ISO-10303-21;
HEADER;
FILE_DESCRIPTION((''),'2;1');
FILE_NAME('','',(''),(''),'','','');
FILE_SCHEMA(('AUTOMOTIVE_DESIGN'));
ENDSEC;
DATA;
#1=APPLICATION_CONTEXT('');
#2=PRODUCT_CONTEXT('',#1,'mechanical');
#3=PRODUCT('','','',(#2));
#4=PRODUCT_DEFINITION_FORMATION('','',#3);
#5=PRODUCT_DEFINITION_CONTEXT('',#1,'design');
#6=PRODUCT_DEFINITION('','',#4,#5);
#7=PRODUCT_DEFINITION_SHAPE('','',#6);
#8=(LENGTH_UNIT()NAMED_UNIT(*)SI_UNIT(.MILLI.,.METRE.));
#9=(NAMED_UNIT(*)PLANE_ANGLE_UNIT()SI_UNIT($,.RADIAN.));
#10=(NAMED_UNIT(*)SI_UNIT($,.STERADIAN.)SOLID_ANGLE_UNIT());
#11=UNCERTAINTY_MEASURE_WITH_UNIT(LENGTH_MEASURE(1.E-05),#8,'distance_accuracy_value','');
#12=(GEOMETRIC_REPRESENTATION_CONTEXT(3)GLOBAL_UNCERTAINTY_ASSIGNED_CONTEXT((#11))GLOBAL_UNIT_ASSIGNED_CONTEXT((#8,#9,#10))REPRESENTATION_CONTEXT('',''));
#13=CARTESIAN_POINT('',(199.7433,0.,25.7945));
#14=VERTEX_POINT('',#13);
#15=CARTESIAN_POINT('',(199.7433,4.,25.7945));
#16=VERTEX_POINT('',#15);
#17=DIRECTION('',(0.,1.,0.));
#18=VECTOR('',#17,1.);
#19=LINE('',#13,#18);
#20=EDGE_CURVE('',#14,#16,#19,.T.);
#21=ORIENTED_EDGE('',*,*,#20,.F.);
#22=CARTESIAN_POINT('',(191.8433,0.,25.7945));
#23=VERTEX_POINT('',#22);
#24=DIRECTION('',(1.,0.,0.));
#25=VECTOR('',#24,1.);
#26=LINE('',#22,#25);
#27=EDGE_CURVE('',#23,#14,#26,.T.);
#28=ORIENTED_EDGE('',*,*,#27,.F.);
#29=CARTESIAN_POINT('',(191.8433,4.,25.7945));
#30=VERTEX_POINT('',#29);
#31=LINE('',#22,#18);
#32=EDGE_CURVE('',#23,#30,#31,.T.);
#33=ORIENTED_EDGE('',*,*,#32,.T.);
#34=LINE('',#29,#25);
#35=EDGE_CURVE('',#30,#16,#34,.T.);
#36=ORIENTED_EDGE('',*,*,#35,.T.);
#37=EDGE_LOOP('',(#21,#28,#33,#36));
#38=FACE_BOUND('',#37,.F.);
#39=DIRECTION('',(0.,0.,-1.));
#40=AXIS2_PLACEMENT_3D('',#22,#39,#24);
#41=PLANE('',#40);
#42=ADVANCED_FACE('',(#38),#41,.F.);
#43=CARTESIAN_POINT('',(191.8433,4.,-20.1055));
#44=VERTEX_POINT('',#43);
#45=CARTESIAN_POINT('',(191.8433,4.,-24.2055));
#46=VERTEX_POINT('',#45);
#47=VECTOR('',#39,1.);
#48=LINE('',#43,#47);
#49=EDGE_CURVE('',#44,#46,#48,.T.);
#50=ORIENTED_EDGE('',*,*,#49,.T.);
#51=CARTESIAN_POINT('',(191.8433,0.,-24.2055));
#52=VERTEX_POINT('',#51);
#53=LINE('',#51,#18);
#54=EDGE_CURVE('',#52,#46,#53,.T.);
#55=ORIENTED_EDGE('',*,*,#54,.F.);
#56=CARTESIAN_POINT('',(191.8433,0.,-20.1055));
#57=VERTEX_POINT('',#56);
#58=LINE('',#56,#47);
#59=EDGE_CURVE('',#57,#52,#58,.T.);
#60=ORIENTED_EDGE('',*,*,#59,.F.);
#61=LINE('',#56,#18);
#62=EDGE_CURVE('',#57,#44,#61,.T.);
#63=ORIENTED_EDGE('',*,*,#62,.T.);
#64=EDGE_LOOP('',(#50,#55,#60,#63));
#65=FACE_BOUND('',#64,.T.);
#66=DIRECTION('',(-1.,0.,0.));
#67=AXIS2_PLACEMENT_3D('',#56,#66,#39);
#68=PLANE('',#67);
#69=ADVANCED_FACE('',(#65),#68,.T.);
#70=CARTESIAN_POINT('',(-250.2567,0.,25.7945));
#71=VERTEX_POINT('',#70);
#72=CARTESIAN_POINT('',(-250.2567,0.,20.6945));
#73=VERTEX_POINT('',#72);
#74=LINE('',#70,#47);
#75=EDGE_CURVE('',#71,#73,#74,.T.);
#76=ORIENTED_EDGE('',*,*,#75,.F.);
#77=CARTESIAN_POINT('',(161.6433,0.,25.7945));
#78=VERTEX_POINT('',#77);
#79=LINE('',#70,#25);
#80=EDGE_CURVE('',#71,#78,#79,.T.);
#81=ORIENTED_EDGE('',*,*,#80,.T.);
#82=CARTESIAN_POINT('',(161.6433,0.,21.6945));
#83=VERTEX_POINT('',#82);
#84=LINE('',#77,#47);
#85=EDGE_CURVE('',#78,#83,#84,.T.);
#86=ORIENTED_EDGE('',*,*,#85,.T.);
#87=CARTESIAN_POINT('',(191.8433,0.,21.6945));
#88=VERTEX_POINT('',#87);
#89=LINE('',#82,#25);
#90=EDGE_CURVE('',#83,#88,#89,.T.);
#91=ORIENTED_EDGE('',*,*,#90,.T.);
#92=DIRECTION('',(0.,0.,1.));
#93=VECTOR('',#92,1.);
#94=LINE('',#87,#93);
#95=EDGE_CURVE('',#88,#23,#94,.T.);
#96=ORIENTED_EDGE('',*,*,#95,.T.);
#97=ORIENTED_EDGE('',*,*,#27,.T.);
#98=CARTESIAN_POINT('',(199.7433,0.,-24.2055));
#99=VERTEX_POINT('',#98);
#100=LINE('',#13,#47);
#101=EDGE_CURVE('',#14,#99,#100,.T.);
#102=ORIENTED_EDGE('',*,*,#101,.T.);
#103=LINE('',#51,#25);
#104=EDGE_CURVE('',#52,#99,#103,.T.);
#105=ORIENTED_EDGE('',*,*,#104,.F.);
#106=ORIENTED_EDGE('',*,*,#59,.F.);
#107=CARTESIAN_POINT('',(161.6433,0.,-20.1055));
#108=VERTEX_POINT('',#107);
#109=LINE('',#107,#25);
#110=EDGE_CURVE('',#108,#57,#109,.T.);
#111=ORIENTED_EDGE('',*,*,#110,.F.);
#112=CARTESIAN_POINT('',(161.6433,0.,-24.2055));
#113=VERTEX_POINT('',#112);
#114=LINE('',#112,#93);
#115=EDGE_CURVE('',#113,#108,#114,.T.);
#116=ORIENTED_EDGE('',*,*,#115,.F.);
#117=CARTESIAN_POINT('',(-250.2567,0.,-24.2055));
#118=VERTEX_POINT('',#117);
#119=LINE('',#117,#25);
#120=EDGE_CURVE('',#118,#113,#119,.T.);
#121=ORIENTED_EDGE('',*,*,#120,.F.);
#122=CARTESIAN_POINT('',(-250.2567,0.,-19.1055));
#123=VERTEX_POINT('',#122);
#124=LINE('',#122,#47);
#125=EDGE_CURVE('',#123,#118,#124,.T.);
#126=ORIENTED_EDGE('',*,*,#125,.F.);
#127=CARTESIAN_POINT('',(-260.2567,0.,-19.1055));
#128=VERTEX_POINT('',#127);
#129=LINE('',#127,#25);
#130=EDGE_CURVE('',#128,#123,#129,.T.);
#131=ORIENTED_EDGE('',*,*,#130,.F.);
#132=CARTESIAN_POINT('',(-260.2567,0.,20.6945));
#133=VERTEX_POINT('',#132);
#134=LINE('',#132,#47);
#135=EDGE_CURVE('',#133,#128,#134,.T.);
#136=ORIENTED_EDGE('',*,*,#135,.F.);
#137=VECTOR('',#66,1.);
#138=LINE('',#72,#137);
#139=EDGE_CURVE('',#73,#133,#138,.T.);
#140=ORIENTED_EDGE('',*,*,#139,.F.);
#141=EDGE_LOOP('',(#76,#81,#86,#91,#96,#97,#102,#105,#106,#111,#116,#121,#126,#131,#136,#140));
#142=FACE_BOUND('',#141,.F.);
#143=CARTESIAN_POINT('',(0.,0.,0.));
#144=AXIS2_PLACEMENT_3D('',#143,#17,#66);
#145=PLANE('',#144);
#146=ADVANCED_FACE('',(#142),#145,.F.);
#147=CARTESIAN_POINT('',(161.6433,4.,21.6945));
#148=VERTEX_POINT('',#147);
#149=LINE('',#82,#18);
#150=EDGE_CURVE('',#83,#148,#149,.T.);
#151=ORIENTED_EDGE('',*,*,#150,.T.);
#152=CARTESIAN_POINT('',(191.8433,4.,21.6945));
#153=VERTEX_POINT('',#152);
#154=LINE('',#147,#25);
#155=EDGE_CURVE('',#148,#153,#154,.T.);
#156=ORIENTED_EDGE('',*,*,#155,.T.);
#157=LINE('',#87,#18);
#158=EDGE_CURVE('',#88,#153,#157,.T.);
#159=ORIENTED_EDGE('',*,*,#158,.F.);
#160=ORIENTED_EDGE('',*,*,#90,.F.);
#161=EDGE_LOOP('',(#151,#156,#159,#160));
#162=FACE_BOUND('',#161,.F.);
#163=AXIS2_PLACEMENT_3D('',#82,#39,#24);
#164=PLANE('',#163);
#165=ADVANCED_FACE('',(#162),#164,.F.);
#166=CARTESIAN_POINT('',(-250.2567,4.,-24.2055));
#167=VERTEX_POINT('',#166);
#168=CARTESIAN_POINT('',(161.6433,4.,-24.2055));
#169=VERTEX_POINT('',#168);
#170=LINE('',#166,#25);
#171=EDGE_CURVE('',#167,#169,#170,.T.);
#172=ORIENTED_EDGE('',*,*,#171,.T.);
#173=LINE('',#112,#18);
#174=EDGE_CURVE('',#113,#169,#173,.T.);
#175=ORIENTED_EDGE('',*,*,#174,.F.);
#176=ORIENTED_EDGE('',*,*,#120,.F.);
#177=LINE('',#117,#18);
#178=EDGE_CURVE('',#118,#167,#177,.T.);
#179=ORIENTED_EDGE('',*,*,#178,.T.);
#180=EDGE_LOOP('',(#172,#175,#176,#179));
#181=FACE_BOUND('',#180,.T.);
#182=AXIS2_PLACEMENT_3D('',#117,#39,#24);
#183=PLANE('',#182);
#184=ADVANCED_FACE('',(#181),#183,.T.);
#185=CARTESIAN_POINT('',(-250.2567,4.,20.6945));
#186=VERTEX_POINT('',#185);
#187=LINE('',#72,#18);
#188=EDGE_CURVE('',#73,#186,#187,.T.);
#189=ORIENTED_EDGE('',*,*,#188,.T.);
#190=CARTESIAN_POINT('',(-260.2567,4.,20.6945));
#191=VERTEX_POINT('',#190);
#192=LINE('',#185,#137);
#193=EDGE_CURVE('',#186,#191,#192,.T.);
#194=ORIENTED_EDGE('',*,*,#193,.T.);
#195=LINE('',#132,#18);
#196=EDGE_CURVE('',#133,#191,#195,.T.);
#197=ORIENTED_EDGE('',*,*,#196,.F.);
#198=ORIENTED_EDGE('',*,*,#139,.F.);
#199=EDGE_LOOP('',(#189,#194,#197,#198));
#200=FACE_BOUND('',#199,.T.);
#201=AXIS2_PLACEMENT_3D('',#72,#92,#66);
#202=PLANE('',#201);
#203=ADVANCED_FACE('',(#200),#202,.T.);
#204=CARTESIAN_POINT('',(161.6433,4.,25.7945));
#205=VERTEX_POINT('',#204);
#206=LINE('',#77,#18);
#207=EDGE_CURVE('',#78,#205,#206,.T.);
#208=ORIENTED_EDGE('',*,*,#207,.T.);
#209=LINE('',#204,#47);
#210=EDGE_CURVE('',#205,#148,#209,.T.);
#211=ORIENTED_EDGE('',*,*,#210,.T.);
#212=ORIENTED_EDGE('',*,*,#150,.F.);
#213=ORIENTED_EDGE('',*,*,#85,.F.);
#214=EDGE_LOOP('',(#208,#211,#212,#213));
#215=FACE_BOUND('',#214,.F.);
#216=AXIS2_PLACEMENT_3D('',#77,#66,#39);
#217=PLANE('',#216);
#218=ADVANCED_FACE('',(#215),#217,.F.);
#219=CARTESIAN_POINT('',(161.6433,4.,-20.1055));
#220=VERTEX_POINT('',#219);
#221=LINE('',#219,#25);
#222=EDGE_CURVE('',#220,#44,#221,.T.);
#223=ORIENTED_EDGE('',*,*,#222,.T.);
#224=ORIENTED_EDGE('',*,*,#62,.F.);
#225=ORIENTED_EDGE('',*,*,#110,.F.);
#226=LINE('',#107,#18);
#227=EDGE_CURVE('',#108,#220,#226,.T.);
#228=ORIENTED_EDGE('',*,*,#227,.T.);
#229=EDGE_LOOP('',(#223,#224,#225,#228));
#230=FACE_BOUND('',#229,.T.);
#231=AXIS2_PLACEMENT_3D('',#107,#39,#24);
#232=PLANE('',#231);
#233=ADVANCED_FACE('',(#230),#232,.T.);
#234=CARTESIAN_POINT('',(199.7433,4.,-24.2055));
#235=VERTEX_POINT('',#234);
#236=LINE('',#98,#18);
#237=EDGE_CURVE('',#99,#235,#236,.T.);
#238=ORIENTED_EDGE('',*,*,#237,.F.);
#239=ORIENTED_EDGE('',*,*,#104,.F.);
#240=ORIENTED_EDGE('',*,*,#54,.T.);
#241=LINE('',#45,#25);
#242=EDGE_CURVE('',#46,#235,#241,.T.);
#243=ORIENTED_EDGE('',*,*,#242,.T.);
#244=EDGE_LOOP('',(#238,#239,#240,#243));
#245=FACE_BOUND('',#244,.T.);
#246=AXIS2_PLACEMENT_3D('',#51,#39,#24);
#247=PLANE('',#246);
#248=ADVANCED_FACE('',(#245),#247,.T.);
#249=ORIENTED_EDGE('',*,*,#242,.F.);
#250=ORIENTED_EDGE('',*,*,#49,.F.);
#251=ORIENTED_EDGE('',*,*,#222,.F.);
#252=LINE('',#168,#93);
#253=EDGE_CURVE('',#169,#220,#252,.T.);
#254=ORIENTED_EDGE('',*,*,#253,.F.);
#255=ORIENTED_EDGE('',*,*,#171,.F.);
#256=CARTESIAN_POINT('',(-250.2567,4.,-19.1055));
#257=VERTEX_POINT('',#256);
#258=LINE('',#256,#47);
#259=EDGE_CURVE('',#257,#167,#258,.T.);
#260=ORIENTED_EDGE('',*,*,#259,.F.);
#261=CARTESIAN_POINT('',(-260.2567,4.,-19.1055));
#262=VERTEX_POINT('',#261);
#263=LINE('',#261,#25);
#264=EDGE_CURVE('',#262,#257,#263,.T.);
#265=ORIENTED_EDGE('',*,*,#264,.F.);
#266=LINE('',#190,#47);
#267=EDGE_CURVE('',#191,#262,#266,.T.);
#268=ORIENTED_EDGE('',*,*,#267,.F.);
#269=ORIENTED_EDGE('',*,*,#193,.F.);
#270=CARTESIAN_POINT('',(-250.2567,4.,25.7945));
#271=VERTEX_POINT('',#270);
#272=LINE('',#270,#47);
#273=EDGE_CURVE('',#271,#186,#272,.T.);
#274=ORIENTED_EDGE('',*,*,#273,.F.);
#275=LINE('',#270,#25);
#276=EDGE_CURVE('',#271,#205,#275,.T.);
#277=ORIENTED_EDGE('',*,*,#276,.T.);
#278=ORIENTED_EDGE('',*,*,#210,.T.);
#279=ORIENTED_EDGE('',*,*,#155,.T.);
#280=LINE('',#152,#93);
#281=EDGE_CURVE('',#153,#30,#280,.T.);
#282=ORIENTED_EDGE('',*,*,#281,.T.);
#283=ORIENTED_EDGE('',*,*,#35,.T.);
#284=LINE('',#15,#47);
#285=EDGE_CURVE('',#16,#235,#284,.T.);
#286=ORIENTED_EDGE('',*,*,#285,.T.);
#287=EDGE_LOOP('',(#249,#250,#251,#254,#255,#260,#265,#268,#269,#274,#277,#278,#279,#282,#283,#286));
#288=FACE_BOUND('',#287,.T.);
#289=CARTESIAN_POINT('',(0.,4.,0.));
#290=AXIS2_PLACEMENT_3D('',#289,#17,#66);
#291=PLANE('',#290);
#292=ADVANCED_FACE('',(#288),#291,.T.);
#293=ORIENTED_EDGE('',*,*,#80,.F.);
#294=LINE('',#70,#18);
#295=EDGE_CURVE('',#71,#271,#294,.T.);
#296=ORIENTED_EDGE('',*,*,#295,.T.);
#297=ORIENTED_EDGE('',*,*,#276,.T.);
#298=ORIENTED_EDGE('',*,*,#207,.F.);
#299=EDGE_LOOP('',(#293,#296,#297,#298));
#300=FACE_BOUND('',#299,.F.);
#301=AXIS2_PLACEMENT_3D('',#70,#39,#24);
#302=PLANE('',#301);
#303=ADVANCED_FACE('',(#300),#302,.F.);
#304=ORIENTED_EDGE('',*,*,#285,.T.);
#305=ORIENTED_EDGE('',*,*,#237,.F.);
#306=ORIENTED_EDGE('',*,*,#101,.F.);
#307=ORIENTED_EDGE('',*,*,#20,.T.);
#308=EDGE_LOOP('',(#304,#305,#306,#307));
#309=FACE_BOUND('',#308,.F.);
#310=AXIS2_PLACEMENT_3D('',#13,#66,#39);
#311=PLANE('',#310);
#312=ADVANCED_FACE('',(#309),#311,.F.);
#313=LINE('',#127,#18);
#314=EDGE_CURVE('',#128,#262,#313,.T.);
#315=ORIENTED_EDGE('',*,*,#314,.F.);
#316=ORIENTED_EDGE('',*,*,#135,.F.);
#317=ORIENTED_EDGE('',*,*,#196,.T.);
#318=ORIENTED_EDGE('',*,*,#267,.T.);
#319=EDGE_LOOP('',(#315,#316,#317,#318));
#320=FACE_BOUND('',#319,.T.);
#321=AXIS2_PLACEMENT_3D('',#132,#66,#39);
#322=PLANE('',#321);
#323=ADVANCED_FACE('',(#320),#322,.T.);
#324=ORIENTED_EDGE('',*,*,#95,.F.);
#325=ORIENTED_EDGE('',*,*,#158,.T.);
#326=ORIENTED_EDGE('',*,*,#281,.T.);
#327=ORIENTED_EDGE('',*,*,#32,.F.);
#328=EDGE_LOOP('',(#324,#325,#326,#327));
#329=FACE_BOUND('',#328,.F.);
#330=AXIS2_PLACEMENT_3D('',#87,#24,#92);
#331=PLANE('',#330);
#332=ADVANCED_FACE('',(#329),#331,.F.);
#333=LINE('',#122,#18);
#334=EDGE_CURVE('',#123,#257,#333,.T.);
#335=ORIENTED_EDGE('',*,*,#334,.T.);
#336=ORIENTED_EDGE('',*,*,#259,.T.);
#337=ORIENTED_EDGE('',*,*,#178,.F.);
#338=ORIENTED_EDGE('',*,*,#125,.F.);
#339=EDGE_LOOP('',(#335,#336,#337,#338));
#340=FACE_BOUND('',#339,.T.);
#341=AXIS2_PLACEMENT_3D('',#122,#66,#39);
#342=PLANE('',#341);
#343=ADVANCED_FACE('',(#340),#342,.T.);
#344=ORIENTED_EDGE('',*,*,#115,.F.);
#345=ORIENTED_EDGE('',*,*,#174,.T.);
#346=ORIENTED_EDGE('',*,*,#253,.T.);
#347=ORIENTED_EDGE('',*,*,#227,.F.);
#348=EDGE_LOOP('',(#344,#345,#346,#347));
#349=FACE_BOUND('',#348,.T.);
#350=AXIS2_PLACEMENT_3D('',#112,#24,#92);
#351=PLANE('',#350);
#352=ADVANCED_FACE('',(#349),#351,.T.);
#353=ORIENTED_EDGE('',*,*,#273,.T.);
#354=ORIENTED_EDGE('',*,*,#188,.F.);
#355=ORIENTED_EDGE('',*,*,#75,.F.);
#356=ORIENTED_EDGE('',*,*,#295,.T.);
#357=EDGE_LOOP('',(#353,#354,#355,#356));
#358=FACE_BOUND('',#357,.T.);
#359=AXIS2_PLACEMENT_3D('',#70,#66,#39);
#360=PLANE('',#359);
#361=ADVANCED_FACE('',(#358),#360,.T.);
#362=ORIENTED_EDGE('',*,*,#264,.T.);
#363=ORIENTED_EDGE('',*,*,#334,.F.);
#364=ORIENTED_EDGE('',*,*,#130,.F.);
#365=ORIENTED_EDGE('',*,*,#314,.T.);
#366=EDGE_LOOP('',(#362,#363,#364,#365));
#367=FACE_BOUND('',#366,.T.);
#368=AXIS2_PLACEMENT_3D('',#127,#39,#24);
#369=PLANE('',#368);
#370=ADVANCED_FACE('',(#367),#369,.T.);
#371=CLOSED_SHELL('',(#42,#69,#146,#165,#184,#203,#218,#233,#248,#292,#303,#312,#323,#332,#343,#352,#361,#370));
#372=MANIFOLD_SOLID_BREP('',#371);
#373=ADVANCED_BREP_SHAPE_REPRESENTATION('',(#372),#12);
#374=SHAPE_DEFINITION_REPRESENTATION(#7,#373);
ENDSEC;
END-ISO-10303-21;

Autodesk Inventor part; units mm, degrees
ref_plane "YZ Plane" through (0, 0, 0) normal (1, 0, 0) x (0, 1, 0)
ref_plane "XZ Plane" through (0, 0, 0) normal (0, 1, 0) x (-1, 0, 0)
ref_plane "XY Plane" through (0, 0, 0) normal (0, 0, 1) x (1, 0, 0)
sketch "스케치1" plane through (0, 0, 0) normal (0, 1, 0) x (-1, 0, 0)
  line L0 (-199.7433, 25.7945) -> (-199.7433, -24.2055)
  line L1 (-149.7433, 25.7945) -> (-149.7433, -24.2055) construction
  line L2 (-161.6433, 25.7945) -> (-161.6433, 21.6945)
  line L3 (-161.6433, 21.6945) -> (-191.8433, 21.6945)
  line L4 (-191.8433, 21.6945) -> (-191.8433, 25.7945)
  line L5 (-153.7433, 25.7945) -> (-153.7433, -24.2055) construction
  line L6 (-161.6433, -24.2055) -> (-161.6433, -20.1055)
  line L7 (-161.6433, -20.1055) -> (-191.8433, -20.1055)
  line L8 (-191.8433, -20.1055) -> (-191.8433, -24.2055)
  line L9 (250.2567, 25.7945) -> (250.2567, 20.6945)
  line L10 (250.2567, 20.6945) -> (260.2567, 20.6945)
  line L11 (260.2567, 20.6945) -> (260.2567, -19.1055)
  line L12 (260.2567, -19.1055) -> (250.2567, -19.1055)
  line L13 (250.2567, -19.1055) -> (250.2567, -24.2055)
  line L14 (250.2567, -24.2055) -> (-161.6433, -24.2055)
  line L15 (-191.8433, -24.2055) -> (-199.7433, -24.2055)
  line L16 (250.2567, 25.7945) -> (-161.6433, 25.7945)
  line L17 (-191.8433, 25.7945) -> (-199.7433, 25.7945)
  point P0 (0, 0)
  point P1 (-199.7433, 0.7945)
  point P2 (-149.7433, 0.7945)
  point P3 (-161.6433, 23.7445)
  point P4 (-161.6433, -22.1555)
  dimension "d2" = 450
  dimension "d4" = 50
  dimension "d5" = 4.1
  dimension "d6" = 30.2
  dimension "d7" = 4
  dimension "d8" = 7.9
  dimension "d9" = 4.1
  dimension "d10" = 30.2
  dimension "d11" = 7.9
  dimension "d12" = 5.1
  dimension "d13" = 5.1
  dimension "d14" = 10
extrude "돌출1" add sketch "스케치1" along normal blind 4
properties part number "우측 센서 막대기"
